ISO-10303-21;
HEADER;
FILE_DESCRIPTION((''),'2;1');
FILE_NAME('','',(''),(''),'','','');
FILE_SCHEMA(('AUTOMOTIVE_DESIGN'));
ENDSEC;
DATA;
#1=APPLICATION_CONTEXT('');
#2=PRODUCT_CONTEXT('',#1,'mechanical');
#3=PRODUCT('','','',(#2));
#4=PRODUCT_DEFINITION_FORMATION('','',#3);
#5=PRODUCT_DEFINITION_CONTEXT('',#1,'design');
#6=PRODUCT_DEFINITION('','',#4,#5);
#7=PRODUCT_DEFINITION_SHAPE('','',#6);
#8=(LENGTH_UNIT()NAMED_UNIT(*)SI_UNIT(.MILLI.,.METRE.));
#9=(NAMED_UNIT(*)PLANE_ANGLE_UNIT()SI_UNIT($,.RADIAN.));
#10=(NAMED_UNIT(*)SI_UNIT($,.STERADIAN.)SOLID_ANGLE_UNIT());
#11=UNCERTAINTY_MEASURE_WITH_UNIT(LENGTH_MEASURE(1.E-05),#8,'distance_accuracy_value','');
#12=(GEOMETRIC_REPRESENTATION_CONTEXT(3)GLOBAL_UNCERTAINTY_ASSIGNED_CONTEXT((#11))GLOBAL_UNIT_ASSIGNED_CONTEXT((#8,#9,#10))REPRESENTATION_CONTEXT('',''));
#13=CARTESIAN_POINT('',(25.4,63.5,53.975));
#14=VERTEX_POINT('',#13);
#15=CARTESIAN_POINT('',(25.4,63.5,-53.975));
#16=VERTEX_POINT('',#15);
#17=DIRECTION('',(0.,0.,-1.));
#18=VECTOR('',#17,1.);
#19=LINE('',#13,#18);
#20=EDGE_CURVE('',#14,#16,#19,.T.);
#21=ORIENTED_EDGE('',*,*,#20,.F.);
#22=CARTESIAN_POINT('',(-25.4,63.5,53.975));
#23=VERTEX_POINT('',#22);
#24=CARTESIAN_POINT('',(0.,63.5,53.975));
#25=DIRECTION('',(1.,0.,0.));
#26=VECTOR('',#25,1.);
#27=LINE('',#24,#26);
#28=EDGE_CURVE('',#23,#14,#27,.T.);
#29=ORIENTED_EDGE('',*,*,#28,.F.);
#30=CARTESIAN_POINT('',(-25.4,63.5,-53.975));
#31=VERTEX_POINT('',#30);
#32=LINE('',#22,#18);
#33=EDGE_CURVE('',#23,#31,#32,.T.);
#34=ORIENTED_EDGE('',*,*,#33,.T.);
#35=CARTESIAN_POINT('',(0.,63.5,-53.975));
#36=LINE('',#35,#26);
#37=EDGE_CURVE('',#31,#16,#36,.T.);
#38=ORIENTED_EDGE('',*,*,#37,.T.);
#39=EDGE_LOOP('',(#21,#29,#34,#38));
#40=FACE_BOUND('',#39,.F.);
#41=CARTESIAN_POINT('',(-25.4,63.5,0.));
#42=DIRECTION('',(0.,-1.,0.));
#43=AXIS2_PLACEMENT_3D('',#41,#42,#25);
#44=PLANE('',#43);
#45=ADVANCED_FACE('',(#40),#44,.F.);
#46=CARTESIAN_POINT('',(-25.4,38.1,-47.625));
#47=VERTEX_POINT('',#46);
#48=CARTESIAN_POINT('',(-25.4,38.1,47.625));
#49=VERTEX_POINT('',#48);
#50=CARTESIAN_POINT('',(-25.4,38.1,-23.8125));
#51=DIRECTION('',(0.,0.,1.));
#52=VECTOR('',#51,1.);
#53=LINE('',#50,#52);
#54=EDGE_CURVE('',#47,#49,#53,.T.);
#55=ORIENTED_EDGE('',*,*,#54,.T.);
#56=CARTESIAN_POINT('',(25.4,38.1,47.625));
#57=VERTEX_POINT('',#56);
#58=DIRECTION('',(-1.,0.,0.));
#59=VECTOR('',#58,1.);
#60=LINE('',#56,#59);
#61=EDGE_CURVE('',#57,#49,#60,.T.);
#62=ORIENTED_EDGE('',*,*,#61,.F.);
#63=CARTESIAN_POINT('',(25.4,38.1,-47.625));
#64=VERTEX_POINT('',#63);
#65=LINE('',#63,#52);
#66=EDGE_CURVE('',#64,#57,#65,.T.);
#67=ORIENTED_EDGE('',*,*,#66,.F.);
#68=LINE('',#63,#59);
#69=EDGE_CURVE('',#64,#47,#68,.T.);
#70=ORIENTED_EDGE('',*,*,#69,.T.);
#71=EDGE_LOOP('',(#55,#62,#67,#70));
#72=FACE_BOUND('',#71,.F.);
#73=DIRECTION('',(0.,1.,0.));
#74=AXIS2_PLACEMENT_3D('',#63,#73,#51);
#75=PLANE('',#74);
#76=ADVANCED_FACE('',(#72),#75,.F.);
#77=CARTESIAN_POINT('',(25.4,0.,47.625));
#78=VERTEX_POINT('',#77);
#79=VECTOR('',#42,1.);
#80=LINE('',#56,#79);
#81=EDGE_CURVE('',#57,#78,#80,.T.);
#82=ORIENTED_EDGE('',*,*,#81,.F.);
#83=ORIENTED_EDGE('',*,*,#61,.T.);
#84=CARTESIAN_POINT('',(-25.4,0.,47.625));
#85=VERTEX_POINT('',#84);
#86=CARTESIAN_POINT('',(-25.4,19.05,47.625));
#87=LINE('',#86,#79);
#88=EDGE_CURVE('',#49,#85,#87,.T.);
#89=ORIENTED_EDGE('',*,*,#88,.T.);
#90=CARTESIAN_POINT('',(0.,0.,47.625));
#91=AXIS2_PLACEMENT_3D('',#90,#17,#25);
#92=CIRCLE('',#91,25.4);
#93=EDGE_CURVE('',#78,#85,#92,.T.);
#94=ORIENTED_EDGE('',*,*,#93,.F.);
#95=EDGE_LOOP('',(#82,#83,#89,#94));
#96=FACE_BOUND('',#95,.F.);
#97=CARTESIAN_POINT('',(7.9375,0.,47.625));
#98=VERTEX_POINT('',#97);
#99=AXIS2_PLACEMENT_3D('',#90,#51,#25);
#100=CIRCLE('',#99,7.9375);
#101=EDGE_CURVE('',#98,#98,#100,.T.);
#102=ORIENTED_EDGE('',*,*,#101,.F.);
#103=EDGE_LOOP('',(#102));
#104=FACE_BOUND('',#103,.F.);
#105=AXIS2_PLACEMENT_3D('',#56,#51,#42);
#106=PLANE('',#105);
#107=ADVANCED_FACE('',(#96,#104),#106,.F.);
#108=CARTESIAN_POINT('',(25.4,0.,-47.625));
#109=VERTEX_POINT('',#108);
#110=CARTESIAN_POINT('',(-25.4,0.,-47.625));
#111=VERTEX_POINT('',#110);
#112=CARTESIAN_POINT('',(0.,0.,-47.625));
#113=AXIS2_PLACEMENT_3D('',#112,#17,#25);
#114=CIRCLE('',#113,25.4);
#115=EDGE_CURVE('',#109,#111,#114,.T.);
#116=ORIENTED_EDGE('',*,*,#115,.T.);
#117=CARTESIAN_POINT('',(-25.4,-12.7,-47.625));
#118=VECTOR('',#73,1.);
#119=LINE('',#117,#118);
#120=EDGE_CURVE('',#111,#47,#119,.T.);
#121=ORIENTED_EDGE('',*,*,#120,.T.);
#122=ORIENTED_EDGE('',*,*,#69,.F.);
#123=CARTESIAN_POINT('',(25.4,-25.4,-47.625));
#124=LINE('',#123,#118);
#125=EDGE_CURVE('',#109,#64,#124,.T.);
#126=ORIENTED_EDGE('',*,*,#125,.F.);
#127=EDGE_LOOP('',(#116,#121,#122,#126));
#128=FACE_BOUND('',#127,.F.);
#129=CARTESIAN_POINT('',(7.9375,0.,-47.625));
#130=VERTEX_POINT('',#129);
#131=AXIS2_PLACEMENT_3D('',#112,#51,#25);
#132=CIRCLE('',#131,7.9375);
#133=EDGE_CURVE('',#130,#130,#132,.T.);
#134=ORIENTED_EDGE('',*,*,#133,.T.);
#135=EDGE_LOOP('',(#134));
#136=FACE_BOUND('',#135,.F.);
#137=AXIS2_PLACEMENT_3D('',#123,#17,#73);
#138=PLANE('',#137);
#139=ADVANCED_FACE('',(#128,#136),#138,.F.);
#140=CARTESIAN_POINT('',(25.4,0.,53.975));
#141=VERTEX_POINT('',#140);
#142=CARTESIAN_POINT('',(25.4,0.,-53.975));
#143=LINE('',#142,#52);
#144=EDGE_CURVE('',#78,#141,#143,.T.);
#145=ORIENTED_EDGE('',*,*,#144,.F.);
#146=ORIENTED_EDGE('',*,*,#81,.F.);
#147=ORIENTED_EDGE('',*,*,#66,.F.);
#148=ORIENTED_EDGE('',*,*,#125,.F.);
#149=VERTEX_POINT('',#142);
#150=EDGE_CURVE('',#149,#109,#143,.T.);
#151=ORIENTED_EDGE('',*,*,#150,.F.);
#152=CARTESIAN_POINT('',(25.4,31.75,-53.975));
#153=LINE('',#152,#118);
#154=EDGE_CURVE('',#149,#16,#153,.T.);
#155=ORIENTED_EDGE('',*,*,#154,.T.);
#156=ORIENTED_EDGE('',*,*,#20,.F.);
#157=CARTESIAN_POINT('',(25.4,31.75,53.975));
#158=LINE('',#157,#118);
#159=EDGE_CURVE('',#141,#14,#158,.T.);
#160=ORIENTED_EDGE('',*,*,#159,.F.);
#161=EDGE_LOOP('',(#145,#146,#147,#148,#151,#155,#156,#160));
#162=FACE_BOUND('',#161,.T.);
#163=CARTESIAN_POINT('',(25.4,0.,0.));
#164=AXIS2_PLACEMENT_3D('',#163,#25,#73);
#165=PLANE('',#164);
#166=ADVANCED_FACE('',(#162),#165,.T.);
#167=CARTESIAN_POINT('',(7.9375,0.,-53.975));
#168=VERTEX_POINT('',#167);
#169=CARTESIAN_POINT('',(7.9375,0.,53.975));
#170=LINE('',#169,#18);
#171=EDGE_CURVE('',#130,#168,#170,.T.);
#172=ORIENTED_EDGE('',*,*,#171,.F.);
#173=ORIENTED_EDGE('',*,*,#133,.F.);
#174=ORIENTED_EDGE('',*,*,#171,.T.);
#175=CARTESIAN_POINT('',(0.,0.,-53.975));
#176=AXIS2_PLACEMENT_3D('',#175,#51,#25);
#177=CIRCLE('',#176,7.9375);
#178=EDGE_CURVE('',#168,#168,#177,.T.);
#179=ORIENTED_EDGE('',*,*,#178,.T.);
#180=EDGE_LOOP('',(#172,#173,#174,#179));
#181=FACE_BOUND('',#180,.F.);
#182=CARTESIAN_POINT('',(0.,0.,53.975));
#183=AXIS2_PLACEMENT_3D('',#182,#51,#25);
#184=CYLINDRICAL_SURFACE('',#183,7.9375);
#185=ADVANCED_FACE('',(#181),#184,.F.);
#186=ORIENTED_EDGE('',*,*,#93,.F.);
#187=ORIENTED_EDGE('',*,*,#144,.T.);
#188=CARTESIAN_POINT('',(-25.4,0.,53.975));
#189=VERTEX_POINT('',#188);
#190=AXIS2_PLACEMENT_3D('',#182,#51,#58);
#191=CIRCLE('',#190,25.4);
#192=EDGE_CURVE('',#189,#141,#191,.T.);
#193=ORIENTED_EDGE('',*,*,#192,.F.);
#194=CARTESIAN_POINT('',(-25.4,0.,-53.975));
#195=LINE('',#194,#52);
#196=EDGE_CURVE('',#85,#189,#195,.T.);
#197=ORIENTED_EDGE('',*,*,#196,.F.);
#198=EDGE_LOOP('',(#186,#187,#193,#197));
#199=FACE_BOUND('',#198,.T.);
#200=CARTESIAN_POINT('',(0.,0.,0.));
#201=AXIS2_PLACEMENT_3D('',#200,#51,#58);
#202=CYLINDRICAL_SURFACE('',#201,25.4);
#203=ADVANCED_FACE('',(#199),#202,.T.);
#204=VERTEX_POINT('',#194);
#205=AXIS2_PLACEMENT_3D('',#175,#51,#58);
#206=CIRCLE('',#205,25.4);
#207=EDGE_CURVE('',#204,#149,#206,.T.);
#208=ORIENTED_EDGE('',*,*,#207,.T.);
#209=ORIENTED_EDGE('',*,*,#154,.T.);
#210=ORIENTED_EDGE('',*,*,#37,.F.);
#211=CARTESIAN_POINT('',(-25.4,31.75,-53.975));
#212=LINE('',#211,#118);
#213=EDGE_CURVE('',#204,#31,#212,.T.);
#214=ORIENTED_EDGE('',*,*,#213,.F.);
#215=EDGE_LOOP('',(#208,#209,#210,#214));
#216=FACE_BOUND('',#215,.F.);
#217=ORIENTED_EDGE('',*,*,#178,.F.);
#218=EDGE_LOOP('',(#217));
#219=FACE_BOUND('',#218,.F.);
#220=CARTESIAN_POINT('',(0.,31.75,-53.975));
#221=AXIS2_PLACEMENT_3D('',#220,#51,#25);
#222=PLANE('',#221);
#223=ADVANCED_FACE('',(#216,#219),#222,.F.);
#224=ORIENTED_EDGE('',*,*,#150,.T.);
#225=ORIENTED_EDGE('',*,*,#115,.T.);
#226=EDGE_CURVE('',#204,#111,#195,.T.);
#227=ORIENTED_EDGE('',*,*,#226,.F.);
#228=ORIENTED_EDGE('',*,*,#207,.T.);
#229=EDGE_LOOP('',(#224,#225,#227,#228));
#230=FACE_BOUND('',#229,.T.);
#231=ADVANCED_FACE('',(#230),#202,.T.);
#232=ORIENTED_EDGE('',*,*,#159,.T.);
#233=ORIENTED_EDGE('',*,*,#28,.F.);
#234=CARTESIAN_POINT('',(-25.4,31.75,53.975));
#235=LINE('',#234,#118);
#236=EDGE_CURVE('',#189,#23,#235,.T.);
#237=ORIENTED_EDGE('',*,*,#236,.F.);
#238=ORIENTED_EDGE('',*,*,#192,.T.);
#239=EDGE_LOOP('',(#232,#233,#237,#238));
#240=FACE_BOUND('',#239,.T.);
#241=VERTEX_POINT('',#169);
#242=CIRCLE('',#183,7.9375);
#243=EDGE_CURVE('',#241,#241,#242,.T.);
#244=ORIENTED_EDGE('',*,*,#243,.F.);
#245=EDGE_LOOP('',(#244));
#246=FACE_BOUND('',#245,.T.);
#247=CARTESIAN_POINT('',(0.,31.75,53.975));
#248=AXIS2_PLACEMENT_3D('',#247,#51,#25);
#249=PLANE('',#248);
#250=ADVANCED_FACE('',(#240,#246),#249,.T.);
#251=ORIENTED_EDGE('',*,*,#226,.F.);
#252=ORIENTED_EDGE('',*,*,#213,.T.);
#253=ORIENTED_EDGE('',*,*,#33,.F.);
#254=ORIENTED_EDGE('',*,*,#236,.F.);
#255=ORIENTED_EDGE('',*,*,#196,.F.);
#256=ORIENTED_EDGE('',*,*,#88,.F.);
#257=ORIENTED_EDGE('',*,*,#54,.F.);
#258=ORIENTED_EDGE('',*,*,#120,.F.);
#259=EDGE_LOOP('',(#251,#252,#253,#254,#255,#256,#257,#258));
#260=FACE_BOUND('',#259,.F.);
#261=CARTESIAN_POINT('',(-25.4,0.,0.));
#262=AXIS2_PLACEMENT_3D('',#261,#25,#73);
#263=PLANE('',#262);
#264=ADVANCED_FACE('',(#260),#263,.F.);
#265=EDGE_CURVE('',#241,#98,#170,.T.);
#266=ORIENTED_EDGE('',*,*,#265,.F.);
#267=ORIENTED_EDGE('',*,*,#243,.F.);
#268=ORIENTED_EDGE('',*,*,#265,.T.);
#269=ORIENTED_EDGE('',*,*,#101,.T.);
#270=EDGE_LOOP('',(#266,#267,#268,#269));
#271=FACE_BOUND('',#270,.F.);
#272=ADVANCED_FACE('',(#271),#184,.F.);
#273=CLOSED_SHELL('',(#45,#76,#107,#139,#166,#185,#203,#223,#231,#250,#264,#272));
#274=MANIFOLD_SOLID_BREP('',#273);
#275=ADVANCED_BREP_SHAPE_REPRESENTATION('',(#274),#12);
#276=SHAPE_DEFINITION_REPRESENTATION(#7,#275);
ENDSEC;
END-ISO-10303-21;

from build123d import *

# Parameters (mm, degrees)
F0_W     = 50.8
F0_H     = 63.5
F1_DEPTH = 53.975
F3_DEPTH = 50.801
F4_R     = 7.9375
F5_DEPTH = 107.951


with BuildPart() as f1:
    # F0 (on Top) → F1 (new body, symmetric)
    with BuildSketch(Plane.XY):
        with Locations((0, 31.75)):
            Rectangle(F0_W, F0_H)
        with BuildLine():
            Line((25.4, 0), (-25.4, 0))
            ThreePointArc((-25.4, 0), (0, -25.4), (25.4, 0))
        make_face()
    extrude(amount=F1_DEPTH, both=True)

    # F2 (on face) → F3 (cut, through all)
    with BuildSketch(Plane.YZ.offset(25.4)):
        Polygon((0, 0), (0, 47.625), (-25.4, 47.625), (-25.4, -47.625), (0, -47.625), align=None)
        Polygon((38.1, -47.625), (38.1, 47.625), (0, 47.625), (0, 0), (0, -47.625), align=None)
    extrude(amount=-F3_DEPTH, mode=Mode.SUBTRACT)

    # F4 (on face) → F5 (cut, through all)
    with BuildSketch(Plane.XY.offset(53.975)):
        Circle(F4_R)
    extrude(amount=-F5_DEPTH, mode=Mode.SUBTRACT)


solid = f1.part
